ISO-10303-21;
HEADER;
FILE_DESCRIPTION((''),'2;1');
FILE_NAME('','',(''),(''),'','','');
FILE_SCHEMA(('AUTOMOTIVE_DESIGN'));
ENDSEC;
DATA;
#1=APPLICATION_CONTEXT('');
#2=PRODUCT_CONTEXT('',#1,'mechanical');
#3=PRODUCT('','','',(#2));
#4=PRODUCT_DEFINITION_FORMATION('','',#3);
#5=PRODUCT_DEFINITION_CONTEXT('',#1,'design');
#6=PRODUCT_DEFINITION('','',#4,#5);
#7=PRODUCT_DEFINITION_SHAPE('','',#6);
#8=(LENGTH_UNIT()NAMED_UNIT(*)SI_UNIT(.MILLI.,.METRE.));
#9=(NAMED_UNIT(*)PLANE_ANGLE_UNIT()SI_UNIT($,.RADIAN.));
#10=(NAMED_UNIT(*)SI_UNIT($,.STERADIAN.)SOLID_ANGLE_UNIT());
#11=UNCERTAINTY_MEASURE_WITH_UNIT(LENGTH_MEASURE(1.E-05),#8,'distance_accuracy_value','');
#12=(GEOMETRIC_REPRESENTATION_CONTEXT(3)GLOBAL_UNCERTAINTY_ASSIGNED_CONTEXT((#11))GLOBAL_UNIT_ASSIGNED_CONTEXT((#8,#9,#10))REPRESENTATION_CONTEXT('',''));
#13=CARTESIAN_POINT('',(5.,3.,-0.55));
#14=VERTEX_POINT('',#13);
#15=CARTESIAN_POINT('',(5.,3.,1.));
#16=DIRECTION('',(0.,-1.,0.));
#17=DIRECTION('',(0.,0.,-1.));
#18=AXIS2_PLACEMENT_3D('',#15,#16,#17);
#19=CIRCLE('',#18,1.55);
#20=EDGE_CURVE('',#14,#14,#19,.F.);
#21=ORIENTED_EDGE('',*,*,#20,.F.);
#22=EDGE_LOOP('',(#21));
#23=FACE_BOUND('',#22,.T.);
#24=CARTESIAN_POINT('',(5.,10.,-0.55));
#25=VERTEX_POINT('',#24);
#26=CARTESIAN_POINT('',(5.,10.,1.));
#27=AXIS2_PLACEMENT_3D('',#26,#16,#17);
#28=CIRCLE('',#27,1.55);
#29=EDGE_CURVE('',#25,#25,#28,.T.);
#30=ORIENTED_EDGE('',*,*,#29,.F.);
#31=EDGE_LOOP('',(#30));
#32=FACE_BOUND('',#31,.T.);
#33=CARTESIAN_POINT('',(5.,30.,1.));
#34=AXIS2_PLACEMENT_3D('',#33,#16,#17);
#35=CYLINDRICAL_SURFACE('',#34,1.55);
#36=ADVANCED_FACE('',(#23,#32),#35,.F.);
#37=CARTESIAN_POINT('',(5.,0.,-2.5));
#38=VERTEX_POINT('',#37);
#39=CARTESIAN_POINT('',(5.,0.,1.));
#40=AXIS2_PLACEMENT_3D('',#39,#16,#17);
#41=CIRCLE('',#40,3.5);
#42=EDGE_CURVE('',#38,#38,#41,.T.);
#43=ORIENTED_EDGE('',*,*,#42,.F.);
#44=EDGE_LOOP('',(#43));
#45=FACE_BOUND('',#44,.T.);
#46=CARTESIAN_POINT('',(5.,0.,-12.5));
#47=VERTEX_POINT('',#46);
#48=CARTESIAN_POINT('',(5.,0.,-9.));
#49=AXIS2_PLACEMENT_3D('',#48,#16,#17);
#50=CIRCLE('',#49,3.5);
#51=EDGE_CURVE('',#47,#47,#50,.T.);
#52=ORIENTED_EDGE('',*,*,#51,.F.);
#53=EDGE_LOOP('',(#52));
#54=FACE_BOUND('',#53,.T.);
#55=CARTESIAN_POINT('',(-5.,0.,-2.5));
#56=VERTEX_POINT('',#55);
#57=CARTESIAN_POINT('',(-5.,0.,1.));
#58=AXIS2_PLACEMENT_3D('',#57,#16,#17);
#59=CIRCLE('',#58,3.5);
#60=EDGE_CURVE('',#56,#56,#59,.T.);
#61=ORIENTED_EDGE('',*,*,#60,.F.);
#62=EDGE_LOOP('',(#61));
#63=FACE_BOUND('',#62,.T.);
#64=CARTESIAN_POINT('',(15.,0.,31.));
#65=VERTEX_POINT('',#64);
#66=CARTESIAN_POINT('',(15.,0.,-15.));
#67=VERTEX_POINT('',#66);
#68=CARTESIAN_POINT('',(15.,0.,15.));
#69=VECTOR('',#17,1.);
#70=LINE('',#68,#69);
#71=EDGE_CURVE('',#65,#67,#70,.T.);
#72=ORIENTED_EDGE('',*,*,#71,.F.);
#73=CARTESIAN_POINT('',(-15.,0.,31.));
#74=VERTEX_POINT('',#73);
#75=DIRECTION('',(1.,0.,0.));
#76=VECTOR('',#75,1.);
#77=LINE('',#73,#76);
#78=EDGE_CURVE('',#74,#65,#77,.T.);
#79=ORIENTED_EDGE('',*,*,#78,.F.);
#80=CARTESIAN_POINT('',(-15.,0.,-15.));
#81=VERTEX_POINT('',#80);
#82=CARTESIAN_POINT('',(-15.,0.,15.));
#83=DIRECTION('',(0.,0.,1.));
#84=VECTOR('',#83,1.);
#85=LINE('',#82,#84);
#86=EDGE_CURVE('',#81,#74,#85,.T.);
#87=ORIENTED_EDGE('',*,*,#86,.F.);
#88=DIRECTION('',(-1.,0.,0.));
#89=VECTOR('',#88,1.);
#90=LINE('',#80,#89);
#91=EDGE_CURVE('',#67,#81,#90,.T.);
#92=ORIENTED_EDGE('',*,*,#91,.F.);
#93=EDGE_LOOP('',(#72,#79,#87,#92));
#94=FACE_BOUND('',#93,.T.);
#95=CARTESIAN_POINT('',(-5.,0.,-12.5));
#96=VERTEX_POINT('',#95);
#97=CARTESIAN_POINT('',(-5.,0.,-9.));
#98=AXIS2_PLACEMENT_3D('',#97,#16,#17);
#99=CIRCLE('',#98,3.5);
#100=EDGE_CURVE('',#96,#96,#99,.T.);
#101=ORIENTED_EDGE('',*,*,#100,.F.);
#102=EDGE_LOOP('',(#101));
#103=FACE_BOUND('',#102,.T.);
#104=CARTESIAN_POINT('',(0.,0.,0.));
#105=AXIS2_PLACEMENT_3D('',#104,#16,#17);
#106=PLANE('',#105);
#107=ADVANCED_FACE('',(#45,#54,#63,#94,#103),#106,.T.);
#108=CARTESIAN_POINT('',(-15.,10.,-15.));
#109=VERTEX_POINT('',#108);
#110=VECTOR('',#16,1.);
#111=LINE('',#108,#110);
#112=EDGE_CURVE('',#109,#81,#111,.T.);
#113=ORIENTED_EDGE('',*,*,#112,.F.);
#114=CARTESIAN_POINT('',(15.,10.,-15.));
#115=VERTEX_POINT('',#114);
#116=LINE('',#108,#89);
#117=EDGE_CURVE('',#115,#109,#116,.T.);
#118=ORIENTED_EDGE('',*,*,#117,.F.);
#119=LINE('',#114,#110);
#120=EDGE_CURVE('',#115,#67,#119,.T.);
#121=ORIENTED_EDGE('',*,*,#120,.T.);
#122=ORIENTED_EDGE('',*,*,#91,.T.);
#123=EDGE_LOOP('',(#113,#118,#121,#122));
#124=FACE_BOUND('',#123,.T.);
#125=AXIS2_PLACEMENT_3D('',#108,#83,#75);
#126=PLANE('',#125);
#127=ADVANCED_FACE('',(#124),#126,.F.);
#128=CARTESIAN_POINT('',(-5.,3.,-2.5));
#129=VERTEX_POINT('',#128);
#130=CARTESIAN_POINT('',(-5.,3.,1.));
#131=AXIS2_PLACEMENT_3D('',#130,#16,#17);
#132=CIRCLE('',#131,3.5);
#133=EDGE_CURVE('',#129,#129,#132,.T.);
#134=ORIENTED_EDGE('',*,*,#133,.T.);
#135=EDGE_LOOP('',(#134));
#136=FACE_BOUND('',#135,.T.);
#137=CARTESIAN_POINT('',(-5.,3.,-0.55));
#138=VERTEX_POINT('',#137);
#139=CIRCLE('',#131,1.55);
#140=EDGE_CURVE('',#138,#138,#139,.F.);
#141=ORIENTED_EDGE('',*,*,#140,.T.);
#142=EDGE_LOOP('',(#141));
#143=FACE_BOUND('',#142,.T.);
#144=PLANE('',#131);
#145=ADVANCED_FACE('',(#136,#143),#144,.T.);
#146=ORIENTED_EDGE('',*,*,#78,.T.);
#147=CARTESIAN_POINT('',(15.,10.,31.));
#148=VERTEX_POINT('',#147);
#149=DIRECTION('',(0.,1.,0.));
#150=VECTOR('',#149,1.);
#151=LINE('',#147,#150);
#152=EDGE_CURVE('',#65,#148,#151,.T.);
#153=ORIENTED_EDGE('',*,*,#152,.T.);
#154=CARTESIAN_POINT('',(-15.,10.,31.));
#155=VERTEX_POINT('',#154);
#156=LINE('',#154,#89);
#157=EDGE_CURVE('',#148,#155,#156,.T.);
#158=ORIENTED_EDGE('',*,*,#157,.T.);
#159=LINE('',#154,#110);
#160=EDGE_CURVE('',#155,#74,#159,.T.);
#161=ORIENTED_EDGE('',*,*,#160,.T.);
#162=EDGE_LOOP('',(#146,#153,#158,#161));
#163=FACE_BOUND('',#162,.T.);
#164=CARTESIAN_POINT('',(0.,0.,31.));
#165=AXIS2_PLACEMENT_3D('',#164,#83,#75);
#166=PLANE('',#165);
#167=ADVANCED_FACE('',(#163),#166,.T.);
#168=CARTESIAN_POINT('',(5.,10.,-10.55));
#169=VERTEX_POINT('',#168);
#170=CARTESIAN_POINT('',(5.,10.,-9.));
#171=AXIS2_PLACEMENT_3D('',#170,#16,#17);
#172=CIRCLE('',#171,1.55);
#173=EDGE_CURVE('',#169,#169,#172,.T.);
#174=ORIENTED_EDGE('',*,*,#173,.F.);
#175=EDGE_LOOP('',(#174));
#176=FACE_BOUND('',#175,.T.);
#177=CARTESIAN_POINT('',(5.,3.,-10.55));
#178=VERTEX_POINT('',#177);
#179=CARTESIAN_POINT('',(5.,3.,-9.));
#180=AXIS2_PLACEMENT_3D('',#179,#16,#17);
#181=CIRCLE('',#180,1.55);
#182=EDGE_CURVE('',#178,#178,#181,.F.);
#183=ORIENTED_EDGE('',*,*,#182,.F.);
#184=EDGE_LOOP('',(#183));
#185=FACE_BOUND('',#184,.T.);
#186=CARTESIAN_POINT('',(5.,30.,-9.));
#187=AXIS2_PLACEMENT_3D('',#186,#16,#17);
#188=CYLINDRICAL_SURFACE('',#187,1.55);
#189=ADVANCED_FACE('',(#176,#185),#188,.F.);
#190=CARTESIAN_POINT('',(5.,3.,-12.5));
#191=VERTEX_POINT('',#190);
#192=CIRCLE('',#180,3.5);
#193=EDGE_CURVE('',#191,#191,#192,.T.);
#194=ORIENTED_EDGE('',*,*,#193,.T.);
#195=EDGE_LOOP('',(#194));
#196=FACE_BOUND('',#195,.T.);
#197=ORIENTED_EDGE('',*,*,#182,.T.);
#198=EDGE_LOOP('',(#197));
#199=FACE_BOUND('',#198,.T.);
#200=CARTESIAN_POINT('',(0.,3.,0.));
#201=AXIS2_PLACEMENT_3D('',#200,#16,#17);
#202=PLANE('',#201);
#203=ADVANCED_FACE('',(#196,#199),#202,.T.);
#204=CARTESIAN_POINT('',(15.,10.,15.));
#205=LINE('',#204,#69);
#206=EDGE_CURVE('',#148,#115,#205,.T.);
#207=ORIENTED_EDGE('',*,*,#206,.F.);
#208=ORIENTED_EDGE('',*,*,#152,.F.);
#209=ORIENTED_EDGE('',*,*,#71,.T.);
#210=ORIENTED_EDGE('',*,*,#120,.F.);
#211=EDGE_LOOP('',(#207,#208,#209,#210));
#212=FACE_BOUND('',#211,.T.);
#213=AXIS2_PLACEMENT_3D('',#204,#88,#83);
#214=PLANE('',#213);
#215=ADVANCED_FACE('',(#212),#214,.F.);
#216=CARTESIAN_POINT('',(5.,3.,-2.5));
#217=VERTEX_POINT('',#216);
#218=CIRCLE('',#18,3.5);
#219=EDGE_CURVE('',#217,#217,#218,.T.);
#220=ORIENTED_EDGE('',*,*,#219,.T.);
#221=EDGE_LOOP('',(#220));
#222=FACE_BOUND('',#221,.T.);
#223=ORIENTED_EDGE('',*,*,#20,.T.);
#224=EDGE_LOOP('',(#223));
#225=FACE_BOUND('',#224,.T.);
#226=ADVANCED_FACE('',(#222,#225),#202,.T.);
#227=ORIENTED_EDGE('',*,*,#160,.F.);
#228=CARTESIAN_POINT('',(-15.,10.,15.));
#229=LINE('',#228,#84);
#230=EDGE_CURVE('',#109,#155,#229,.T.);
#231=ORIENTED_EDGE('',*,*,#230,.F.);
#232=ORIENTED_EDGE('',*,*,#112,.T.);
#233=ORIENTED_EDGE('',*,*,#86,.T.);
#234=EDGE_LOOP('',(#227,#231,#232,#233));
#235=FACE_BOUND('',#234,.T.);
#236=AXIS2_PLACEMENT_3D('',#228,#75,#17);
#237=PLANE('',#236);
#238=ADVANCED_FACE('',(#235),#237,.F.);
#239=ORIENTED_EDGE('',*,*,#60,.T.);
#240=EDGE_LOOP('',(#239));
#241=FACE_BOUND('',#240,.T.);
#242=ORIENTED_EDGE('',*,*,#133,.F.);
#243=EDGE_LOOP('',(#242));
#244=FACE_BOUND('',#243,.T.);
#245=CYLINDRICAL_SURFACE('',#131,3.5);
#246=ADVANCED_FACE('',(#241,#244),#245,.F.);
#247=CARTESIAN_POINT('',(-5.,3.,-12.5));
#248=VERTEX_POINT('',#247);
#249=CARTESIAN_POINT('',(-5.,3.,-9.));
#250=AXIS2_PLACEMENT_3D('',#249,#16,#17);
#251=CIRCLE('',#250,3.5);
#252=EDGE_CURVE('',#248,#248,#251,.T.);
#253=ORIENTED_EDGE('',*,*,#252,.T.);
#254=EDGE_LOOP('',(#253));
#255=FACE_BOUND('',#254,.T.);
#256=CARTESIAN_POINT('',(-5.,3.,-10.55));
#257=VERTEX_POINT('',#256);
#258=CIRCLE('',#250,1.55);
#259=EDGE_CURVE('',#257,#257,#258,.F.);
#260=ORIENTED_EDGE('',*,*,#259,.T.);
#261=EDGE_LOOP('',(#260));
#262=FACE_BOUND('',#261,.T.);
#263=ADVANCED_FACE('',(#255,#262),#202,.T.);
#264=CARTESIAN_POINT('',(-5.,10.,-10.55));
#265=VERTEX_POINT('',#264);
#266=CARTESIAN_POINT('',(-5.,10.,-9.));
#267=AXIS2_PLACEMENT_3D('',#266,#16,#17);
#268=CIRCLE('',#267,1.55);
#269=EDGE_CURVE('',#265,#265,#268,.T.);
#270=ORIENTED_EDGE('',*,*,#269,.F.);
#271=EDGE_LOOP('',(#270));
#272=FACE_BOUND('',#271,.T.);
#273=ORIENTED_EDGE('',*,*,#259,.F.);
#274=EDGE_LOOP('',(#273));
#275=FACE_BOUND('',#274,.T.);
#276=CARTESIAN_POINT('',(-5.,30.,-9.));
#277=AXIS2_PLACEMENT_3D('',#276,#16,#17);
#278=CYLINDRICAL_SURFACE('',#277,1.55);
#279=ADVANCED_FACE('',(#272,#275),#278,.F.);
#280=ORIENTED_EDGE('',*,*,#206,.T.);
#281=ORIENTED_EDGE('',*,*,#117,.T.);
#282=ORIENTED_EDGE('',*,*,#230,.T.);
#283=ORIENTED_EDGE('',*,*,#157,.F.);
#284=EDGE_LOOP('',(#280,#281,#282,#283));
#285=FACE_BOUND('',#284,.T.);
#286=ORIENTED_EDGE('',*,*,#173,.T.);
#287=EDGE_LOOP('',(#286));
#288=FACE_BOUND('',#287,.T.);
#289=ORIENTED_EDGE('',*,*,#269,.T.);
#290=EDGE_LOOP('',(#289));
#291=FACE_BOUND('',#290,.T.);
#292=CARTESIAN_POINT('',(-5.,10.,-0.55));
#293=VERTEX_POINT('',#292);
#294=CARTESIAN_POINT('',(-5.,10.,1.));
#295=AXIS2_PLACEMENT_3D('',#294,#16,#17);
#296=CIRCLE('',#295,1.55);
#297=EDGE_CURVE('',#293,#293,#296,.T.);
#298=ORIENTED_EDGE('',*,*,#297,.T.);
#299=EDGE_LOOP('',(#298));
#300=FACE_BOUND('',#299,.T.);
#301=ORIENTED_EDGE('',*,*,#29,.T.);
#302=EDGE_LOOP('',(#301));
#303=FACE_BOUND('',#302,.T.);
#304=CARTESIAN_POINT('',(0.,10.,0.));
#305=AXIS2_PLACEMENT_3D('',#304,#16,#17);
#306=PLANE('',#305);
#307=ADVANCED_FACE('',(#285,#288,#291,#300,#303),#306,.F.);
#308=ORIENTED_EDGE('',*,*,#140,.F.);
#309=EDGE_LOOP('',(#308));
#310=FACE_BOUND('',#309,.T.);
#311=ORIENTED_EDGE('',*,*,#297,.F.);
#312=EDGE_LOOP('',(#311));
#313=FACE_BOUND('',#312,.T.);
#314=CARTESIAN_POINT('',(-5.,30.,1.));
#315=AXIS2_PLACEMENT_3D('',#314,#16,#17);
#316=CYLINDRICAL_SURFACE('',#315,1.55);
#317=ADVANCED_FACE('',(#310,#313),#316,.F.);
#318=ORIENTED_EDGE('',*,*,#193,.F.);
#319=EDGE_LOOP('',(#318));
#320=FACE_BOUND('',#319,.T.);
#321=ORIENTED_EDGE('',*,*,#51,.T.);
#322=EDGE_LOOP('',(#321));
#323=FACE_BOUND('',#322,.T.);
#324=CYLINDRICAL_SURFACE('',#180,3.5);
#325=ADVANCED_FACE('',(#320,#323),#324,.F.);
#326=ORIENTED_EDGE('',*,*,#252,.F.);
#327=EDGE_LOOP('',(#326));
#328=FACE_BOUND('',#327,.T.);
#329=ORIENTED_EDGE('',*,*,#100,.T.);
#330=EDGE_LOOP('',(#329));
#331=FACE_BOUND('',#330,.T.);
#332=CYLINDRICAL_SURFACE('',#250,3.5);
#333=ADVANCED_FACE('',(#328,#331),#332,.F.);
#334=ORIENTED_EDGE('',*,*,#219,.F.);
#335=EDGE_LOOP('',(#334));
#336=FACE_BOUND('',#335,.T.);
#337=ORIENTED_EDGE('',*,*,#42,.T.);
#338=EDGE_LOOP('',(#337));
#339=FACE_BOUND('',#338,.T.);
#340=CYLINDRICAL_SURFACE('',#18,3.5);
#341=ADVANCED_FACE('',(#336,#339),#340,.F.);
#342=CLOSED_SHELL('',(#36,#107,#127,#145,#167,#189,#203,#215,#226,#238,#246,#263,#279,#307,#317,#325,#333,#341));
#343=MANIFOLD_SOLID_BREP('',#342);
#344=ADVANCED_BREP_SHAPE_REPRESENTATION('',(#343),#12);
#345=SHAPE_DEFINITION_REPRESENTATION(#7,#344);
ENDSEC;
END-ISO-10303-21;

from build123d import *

# Parameters (mm, degrees)
SKETCH_1_W          = 30
SKETCH_1_H          = 30
EXTRUDE_1_DEPTH     = 10
SKETCH_4_R          = 1.55
CUT_EXTRUDE_1_DEPTH = 30
SKETCH_5_R          = 3.5
SKETCH_5_R_2        = 1.55
CUT_EXTRUDE_2_DEPTH = 3
SKETCH_6_W          = 30
SKETCH_6_H          = 10
EXTRUDE_2_DEPTH     = 16


with BuildPart() as part:
    # 草图1 → 凸台-拉伸1 (new body)
    with BuildSketch(Plane(origin=(0, 0, 0), x_dir=(1, 0, 0), z_dir=(0, 1, 0))):
        Rectangle(SKETCH_1_W, SKETCH_1_H)
    extrude(amount=EXTRUDE_1_DEPTH)

    # 草图4 → 切除-拉伸1 (cut)
    with BuildSketch(Plane.XZ):
        with Locations(Location((5, 1, 0), (0, 0, 270))):
            Circle(SKETCH_4_R)
        with Locations(Location((5, -9, 0), (0, 0, 270))):
            Circle(SKETCH_4_R)
        with Locations(Location((-5, 1, 0), (0, 0, 270))):
            Circle(SKETCH_4_R)
        with Locations(Location((-5, -9, 0), (0, 0, 270))):
            Circle(SKETCH_4_R)
    extrude(amount=-CUT_EXTRUDE_1_DEPTH, mode=Mode.SUBTRACT)

    # 草图5 → 切除-拉伸2 (cut)
    # profile 1 of 4: a face of its own
    with BuildSketch(Plane.XZ):
        with Locations(Location((5, 1, 0), (0, 0, 270))):
            Circle(SKETCH_5_R)
        with Locations(Location((5, 1, 0), (0, 0, 270))):
            Circle(SKETCH_5_R_2, mode=Mode.SUBTRACT)
    # profile 2 of 4: a face of its own
    with BuildSketch(Plane.XZ):
        with Locations(Location((5, -9, 0), (0, 0, 270))):
            Circle(SKETCH_5_R)
        with Locations(Location((5, -9, 0), (0, 0, 270))):
            Circle(SKETCH_5_R_2, mode=Mode.SUBTRACT)
    # profile 3 of 4: a face of its own
    with BuildSketch(Plane.XZ):
        with Locations(Location((-5, -9, 0), (0, 0, 270))):
            Circle(SKETCH_5_R)
        with Locations(Location((-5, -9, 0), (0, 0, 270))):
            Circle(SKETCH_5_R_2, mode=Mode.SUBTRACT)
    # profile 4 of 4: a face of its own
    with BuildSketch(Plane.XZ):
        with Locations(Location((-5, 1, 0), (0, 0, 270))):
            Circle(SKETCH_5_R)
    extrude(amount=-CUT_EXTRUDE_2_DEPTH, mode=Mode.SUBTRACT)

    # 草图6 → 凸台-拉伸2 (add)
    with BuildSketch(Plane.XY.offset(15)):
        with Locations((0, 5)):
            Rectangle(SKETCH_6_W, SKETCH_6_H)
    extrude(amount=EXTRUDE_2_DEPTH)


solid = part.part
